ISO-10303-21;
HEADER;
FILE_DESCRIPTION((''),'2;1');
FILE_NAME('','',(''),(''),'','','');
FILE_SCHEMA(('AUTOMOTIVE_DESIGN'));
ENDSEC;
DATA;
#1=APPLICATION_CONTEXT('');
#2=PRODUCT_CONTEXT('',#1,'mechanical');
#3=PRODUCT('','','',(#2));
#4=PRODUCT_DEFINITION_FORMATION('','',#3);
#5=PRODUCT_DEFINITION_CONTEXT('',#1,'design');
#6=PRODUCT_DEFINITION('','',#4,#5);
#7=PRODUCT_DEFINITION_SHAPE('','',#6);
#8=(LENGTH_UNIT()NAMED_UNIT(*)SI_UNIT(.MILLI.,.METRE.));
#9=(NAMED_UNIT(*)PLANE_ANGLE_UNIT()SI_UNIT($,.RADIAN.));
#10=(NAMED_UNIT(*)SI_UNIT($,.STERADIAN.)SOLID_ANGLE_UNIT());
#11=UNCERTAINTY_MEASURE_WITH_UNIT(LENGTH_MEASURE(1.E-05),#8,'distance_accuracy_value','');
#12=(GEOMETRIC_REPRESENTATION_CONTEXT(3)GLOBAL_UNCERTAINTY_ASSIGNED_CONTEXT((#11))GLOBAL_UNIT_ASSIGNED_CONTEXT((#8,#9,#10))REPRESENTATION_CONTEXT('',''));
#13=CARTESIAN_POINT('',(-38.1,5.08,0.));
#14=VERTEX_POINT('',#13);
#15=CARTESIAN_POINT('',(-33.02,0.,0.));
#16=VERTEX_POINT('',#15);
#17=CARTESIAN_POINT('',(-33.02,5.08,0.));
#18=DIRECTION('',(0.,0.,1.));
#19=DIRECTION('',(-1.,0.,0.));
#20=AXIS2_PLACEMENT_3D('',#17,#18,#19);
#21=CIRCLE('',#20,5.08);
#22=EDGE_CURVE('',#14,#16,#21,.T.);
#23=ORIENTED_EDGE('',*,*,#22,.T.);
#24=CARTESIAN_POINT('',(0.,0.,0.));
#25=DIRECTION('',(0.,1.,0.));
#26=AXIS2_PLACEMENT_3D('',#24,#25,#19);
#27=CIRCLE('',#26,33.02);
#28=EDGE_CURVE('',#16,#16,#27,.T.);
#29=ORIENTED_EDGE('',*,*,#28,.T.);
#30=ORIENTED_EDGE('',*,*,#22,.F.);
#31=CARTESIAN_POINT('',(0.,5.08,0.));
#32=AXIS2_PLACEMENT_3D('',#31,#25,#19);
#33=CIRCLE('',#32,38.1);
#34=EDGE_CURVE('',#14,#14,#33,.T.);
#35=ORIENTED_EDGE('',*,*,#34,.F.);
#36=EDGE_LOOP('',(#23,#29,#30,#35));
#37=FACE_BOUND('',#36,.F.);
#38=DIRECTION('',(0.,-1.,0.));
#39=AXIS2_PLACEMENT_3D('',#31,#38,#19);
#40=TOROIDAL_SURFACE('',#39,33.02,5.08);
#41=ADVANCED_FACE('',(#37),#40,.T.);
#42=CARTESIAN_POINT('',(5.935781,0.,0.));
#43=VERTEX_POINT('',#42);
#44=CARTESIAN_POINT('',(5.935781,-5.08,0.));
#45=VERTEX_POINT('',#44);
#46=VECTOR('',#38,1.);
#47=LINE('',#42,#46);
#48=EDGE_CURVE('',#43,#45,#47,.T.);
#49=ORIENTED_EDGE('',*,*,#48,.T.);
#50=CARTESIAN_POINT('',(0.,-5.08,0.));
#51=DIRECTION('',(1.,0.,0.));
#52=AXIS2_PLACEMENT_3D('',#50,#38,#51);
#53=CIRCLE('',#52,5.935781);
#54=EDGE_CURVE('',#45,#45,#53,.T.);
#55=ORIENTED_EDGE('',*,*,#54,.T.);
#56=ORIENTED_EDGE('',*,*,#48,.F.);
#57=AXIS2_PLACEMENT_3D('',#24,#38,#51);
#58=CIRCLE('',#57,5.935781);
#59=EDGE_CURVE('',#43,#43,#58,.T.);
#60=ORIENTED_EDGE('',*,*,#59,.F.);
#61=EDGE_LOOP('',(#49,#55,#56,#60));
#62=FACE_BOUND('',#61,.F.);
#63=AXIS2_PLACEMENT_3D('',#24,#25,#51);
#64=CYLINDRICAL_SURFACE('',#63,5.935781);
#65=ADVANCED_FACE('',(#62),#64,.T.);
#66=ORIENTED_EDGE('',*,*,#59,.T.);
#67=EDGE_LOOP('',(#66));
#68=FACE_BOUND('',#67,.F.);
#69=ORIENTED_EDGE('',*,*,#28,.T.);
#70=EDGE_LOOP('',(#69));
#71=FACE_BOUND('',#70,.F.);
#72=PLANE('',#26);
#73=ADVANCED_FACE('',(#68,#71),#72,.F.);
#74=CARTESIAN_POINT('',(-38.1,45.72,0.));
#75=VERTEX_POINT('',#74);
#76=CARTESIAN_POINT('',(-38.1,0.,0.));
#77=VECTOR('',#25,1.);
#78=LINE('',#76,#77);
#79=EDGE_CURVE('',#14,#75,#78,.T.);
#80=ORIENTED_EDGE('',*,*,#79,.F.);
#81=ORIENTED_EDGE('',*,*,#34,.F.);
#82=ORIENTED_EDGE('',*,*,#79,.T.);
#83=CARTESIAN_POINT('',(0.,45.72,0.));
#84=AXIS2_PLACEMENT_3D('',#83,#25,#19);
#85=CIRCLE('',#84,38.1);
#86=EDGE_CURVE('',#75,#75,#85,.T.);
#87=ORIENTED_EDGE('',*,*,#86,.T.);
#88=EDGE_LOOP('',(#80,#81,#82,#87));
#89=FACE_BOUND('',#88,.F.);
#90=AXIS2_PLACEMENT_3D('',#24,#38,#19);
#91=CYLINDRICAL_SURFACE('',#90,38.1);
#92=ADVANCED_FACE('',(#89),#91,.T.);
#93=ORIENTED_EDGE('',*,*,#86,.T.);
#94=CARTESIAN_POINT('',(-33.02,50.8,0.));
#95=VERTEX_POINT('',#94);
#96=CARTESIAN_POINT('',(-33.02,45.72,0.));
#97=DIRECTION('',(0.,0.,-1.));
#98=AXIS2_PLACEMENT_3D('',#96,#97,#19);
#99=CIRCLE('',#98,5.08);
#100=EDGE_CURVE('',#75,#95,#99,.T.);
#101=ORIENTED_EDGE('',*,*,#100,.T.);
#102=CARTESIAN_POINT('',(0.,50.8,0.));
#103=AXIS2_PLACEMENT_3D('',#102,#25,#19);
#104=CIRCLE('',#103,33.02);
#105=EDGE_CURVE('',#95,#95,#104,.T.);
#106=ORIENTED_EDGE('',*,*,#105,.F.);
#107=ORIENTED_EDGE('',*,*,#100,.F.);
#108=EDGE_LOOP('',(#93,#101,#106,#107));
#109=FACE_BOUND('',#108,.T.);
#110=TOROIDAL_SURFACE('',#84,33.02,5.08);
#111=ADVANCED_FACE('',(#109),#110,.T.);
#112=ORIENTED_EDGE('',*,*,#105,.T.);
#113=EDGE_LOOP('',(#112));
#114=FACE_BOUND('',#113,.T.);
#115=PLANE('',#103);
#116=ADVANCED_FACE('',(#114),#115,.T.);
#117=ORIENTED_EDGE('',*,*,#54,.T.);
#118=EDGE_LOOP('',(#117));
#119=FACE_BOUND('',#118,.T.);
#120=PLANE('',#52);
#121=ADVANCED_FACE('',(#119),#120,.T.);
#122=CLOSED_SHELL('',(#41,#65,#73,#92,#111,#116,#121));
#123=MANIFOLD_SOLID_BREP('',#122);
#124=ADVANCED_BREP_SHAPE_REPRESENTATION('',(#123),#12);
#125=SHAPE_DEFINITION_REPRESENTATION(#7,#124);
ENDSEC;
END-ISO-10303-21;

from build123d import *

# Parameters (mm, degrees)
F0_R     = 5.935781
F1_DEPTH = 5.08
F2_R     = 38.1
F3_DEPTH = 50.8
F4_R     = 5.08


with BuildPart() as f1:
    # F0 (on Front) → F1 (new body)
    with BuildSketch(Plane.XZ):
        Circle(F0_R)
    extrude(amount=F1_DEPTH)

    # F2 (on face) → F3 (join)
    with BuildSketch(Plane(origin=(0, 0, 0), x_dir=(-1, 0, 0), z_dir=(0, 1, 0))):
        Circle(F2_R)
    extrude(amount=F3_DEPTH)

    # F4
    f4_edges = [f1.edges().sort_by_distance(p)[0] for p in [
        (38.1, 0, 0),
        (38.1, 50.8, 0),
    ]]
    fillet(f4_edges, radius=F4_R)


solid = f1.part
